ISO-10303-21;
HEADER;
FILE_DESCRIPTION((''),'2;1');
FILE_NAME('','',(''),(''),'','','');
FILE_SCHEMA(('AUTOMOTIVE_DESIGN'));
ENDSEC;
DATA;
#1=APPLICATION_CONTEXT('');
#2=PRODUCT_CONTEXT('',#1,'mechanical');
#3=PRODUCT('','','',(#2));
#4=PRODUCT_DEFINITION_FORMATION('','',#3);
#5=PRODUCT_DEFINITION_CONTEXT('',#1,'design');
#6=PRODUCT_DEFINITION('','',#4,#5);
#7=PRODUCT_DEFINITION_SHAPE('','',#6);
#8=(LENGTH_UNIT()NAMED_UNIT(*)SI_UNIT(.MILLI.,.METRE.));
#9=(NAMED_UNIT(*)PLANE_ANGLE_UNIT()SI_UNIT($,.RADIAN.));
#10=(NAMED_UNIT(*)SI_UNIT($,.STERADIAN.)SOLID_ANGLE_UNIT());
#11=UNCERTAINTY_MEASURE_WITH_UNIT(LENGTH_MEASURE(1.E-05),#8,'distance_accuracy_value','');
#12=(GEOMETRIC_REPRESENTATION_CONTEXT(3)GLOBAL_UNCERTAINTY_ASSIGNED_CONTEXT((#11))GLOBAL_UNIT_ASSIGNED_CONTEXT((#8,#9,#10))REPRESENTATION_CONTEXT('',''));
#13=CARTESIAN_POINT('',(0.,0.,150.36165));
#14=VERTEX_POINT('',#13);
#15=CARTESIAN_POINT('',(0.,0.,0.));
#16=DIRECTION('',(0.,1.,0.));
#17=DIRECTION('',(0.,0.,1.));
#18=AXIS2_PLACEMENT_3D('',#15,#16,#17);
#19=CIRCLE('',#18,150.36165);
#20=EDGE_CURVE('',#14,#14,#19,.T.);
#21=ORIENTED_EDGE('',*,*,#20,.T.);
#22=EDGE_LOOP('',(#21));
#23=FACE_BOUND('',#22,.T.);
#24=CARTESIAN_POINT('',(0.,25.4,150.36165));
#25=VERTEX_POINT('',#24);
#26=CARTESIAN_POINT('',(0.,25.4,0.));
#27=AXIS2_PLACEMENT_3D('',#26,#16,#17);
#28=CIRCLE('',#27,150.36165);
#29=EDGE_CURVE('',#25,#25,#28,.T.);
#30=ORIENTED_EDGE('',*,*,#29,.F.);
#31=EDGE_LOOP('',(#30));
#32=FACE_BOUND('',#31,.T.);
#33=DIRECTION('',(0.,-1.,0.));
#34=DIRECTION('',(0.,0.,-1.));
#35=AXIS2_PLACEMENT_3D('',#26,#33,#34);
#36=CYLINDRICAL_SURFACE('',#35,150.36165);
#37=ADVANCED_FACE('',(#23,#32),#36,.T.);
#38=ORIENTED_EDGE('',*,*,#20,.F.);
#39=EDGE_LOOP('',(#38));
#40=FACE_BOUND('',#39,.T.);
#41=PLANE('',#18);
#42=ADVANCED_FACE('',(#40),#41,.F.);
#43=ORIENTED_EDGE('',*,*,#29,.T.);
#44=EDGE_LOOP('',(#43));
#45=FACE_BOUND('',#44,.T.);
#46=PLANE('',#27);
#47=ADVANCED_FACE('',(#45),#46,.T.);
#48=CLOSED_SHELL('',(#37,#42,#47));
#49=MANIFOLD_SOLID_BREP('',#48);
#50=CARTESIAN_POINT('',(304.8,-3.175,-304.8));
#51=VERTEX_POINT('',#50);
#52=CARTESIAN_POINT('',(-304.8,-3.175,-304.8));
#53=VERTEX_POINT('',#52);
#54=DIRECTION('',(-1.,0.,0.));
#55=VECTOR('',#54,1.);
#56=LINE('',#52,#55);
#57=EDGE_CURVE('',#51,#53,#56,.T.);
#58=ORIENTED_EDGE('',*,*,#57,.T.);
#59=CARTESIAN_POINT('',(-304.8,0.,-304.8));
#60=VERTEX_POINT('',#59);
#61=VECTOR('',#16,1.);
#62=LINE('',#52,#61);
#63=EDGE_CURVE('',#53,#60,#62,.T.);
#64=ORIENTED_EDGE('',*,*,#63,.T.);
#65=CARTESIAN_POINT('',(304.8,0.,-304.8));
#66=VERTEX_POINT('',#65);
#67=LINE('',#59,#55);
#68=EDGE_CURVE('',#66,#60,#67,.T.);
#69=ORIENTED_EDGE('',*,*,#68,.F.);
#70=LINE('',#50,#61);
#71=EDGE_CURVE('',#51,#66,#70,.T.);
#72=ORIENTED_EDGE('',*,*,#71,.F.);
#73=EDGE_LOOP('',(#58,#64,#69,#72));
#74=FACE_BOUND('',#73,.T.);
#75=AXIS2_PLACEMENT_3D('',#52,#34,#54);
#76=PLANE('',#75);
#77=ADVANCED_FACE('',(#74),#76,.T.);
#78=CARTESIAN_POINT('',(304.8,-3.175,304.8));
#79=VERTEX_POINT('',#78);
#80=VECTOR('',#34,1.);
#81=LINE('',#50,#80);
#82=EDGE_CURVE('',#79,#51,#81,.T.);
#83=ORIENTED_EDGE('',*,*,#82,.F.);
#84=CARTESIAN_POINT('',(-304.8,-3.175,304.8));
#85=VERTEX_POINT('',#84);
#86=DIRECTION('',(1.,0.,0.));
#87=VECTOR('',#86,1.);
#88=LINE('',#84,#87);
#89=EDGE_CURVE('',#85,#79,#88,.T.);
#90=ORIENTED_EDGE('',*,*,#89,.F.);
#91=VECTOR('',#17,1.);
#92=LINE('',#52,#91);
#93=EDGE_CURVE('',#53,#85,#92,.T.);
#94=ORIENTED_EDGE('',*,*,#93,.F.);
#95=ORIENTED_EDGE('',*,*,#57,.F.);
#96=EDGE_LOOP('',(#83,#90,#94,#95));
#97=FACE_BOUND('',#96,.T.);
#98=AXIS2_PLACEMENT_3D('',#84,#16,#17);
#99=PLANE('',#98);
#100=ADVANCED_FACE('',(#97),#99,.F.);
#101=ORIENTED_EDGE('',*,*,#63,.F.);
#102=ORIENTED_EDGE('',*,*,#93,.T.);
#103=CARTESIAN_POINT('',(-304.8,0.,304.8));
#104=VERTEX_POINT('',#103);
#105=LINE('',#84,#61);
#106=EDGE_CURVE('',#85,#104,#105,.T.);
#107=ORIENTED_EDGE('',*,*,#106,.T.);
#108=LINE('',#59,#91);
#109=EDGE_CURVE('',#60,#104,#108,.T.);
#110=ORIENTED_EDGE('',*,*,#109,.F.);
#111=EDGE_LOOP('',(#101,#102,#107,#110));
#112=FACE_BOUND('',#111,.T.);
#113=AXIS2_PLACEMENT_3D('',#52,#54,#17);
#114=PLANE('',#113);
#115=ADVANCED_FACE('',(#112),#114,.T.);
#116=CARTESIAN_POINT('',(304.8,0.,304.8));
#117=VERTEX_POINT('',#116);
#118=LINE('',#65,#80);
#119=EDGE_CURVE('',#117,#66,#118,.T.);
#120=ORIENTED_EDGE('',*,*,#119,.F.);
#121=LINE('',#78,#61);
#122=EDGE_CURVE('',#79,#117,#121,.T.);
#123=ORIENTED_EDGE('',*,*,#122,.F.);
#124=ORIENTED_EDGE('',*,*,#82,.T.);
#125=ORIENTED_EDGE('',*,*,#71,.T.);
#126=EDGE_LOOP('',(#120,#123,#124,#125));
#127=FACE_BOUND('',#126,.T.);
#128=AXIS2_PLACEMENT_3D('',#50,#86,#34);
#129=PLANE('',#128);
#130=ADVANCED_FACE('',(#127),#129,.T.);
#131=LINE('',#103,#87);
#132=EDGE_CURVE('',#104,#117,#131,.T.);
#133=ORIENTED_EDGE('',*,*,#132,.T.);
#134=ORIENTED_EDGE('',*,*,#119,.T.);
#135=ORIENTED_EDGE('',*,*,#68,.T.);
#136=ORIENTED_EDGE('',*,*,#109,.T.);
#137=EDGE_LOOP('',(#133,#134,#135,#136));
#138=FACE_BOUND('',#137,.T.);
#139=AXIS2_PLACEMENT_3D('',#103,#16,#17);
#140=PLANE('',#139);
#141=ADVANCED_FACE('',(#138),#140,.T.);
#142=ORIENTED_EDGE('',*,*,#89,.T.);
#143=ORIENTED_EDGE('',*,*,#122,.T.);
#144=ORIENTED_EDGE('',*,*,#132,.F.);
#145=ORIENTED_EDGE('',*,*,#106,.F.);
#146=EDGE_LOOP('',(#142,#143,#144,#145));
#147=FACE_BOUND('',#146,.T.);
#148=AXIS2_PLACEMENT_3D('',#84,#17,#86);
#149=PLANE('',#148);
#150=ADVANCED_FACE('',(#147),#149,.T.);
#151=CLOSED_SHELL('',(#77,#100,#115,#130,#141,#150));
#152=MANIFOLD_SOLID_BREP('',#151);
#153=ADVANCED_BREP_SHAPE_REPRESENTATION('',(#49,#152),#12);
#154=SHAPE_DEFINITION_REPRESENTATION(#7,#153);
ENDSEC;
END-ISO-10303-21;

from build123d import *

# Parameters (mm, degrees)
SKETCH1_W      = 609.6
SKETCH1_H      = 609.6
EXTRUDE1_DEPTH = 3.175
SKETCH3_R      = 150.36165
EXTRUDE2_DEPTH = 25.4


with BuildPart() as part:
    # Sketch1 → Extrude1 (new body)
    with BuildSketch(Plane(origin=(0, 0, 0), x_dir=(1, 0, 0), z_dir=(0, 1, 0))):
        Rectangle(SKETCH1_W, SKETCH1_H)
    extrude(amount=-EXTRUDE1_DEPTH)


with BuildPart() as body_2:
    # sketch3 → Extrude2 (new body)
    with BuildSketch(Plane(origin=(0, 0, 0), x_dir=(-1, 0, 0), z_dir=(0, 1, 0))):
        Circle(SKETCH3_R)
    extrude(amount=EXTRUDE2_DEPTH)


solid = Compound([part.part, body_2.part])
